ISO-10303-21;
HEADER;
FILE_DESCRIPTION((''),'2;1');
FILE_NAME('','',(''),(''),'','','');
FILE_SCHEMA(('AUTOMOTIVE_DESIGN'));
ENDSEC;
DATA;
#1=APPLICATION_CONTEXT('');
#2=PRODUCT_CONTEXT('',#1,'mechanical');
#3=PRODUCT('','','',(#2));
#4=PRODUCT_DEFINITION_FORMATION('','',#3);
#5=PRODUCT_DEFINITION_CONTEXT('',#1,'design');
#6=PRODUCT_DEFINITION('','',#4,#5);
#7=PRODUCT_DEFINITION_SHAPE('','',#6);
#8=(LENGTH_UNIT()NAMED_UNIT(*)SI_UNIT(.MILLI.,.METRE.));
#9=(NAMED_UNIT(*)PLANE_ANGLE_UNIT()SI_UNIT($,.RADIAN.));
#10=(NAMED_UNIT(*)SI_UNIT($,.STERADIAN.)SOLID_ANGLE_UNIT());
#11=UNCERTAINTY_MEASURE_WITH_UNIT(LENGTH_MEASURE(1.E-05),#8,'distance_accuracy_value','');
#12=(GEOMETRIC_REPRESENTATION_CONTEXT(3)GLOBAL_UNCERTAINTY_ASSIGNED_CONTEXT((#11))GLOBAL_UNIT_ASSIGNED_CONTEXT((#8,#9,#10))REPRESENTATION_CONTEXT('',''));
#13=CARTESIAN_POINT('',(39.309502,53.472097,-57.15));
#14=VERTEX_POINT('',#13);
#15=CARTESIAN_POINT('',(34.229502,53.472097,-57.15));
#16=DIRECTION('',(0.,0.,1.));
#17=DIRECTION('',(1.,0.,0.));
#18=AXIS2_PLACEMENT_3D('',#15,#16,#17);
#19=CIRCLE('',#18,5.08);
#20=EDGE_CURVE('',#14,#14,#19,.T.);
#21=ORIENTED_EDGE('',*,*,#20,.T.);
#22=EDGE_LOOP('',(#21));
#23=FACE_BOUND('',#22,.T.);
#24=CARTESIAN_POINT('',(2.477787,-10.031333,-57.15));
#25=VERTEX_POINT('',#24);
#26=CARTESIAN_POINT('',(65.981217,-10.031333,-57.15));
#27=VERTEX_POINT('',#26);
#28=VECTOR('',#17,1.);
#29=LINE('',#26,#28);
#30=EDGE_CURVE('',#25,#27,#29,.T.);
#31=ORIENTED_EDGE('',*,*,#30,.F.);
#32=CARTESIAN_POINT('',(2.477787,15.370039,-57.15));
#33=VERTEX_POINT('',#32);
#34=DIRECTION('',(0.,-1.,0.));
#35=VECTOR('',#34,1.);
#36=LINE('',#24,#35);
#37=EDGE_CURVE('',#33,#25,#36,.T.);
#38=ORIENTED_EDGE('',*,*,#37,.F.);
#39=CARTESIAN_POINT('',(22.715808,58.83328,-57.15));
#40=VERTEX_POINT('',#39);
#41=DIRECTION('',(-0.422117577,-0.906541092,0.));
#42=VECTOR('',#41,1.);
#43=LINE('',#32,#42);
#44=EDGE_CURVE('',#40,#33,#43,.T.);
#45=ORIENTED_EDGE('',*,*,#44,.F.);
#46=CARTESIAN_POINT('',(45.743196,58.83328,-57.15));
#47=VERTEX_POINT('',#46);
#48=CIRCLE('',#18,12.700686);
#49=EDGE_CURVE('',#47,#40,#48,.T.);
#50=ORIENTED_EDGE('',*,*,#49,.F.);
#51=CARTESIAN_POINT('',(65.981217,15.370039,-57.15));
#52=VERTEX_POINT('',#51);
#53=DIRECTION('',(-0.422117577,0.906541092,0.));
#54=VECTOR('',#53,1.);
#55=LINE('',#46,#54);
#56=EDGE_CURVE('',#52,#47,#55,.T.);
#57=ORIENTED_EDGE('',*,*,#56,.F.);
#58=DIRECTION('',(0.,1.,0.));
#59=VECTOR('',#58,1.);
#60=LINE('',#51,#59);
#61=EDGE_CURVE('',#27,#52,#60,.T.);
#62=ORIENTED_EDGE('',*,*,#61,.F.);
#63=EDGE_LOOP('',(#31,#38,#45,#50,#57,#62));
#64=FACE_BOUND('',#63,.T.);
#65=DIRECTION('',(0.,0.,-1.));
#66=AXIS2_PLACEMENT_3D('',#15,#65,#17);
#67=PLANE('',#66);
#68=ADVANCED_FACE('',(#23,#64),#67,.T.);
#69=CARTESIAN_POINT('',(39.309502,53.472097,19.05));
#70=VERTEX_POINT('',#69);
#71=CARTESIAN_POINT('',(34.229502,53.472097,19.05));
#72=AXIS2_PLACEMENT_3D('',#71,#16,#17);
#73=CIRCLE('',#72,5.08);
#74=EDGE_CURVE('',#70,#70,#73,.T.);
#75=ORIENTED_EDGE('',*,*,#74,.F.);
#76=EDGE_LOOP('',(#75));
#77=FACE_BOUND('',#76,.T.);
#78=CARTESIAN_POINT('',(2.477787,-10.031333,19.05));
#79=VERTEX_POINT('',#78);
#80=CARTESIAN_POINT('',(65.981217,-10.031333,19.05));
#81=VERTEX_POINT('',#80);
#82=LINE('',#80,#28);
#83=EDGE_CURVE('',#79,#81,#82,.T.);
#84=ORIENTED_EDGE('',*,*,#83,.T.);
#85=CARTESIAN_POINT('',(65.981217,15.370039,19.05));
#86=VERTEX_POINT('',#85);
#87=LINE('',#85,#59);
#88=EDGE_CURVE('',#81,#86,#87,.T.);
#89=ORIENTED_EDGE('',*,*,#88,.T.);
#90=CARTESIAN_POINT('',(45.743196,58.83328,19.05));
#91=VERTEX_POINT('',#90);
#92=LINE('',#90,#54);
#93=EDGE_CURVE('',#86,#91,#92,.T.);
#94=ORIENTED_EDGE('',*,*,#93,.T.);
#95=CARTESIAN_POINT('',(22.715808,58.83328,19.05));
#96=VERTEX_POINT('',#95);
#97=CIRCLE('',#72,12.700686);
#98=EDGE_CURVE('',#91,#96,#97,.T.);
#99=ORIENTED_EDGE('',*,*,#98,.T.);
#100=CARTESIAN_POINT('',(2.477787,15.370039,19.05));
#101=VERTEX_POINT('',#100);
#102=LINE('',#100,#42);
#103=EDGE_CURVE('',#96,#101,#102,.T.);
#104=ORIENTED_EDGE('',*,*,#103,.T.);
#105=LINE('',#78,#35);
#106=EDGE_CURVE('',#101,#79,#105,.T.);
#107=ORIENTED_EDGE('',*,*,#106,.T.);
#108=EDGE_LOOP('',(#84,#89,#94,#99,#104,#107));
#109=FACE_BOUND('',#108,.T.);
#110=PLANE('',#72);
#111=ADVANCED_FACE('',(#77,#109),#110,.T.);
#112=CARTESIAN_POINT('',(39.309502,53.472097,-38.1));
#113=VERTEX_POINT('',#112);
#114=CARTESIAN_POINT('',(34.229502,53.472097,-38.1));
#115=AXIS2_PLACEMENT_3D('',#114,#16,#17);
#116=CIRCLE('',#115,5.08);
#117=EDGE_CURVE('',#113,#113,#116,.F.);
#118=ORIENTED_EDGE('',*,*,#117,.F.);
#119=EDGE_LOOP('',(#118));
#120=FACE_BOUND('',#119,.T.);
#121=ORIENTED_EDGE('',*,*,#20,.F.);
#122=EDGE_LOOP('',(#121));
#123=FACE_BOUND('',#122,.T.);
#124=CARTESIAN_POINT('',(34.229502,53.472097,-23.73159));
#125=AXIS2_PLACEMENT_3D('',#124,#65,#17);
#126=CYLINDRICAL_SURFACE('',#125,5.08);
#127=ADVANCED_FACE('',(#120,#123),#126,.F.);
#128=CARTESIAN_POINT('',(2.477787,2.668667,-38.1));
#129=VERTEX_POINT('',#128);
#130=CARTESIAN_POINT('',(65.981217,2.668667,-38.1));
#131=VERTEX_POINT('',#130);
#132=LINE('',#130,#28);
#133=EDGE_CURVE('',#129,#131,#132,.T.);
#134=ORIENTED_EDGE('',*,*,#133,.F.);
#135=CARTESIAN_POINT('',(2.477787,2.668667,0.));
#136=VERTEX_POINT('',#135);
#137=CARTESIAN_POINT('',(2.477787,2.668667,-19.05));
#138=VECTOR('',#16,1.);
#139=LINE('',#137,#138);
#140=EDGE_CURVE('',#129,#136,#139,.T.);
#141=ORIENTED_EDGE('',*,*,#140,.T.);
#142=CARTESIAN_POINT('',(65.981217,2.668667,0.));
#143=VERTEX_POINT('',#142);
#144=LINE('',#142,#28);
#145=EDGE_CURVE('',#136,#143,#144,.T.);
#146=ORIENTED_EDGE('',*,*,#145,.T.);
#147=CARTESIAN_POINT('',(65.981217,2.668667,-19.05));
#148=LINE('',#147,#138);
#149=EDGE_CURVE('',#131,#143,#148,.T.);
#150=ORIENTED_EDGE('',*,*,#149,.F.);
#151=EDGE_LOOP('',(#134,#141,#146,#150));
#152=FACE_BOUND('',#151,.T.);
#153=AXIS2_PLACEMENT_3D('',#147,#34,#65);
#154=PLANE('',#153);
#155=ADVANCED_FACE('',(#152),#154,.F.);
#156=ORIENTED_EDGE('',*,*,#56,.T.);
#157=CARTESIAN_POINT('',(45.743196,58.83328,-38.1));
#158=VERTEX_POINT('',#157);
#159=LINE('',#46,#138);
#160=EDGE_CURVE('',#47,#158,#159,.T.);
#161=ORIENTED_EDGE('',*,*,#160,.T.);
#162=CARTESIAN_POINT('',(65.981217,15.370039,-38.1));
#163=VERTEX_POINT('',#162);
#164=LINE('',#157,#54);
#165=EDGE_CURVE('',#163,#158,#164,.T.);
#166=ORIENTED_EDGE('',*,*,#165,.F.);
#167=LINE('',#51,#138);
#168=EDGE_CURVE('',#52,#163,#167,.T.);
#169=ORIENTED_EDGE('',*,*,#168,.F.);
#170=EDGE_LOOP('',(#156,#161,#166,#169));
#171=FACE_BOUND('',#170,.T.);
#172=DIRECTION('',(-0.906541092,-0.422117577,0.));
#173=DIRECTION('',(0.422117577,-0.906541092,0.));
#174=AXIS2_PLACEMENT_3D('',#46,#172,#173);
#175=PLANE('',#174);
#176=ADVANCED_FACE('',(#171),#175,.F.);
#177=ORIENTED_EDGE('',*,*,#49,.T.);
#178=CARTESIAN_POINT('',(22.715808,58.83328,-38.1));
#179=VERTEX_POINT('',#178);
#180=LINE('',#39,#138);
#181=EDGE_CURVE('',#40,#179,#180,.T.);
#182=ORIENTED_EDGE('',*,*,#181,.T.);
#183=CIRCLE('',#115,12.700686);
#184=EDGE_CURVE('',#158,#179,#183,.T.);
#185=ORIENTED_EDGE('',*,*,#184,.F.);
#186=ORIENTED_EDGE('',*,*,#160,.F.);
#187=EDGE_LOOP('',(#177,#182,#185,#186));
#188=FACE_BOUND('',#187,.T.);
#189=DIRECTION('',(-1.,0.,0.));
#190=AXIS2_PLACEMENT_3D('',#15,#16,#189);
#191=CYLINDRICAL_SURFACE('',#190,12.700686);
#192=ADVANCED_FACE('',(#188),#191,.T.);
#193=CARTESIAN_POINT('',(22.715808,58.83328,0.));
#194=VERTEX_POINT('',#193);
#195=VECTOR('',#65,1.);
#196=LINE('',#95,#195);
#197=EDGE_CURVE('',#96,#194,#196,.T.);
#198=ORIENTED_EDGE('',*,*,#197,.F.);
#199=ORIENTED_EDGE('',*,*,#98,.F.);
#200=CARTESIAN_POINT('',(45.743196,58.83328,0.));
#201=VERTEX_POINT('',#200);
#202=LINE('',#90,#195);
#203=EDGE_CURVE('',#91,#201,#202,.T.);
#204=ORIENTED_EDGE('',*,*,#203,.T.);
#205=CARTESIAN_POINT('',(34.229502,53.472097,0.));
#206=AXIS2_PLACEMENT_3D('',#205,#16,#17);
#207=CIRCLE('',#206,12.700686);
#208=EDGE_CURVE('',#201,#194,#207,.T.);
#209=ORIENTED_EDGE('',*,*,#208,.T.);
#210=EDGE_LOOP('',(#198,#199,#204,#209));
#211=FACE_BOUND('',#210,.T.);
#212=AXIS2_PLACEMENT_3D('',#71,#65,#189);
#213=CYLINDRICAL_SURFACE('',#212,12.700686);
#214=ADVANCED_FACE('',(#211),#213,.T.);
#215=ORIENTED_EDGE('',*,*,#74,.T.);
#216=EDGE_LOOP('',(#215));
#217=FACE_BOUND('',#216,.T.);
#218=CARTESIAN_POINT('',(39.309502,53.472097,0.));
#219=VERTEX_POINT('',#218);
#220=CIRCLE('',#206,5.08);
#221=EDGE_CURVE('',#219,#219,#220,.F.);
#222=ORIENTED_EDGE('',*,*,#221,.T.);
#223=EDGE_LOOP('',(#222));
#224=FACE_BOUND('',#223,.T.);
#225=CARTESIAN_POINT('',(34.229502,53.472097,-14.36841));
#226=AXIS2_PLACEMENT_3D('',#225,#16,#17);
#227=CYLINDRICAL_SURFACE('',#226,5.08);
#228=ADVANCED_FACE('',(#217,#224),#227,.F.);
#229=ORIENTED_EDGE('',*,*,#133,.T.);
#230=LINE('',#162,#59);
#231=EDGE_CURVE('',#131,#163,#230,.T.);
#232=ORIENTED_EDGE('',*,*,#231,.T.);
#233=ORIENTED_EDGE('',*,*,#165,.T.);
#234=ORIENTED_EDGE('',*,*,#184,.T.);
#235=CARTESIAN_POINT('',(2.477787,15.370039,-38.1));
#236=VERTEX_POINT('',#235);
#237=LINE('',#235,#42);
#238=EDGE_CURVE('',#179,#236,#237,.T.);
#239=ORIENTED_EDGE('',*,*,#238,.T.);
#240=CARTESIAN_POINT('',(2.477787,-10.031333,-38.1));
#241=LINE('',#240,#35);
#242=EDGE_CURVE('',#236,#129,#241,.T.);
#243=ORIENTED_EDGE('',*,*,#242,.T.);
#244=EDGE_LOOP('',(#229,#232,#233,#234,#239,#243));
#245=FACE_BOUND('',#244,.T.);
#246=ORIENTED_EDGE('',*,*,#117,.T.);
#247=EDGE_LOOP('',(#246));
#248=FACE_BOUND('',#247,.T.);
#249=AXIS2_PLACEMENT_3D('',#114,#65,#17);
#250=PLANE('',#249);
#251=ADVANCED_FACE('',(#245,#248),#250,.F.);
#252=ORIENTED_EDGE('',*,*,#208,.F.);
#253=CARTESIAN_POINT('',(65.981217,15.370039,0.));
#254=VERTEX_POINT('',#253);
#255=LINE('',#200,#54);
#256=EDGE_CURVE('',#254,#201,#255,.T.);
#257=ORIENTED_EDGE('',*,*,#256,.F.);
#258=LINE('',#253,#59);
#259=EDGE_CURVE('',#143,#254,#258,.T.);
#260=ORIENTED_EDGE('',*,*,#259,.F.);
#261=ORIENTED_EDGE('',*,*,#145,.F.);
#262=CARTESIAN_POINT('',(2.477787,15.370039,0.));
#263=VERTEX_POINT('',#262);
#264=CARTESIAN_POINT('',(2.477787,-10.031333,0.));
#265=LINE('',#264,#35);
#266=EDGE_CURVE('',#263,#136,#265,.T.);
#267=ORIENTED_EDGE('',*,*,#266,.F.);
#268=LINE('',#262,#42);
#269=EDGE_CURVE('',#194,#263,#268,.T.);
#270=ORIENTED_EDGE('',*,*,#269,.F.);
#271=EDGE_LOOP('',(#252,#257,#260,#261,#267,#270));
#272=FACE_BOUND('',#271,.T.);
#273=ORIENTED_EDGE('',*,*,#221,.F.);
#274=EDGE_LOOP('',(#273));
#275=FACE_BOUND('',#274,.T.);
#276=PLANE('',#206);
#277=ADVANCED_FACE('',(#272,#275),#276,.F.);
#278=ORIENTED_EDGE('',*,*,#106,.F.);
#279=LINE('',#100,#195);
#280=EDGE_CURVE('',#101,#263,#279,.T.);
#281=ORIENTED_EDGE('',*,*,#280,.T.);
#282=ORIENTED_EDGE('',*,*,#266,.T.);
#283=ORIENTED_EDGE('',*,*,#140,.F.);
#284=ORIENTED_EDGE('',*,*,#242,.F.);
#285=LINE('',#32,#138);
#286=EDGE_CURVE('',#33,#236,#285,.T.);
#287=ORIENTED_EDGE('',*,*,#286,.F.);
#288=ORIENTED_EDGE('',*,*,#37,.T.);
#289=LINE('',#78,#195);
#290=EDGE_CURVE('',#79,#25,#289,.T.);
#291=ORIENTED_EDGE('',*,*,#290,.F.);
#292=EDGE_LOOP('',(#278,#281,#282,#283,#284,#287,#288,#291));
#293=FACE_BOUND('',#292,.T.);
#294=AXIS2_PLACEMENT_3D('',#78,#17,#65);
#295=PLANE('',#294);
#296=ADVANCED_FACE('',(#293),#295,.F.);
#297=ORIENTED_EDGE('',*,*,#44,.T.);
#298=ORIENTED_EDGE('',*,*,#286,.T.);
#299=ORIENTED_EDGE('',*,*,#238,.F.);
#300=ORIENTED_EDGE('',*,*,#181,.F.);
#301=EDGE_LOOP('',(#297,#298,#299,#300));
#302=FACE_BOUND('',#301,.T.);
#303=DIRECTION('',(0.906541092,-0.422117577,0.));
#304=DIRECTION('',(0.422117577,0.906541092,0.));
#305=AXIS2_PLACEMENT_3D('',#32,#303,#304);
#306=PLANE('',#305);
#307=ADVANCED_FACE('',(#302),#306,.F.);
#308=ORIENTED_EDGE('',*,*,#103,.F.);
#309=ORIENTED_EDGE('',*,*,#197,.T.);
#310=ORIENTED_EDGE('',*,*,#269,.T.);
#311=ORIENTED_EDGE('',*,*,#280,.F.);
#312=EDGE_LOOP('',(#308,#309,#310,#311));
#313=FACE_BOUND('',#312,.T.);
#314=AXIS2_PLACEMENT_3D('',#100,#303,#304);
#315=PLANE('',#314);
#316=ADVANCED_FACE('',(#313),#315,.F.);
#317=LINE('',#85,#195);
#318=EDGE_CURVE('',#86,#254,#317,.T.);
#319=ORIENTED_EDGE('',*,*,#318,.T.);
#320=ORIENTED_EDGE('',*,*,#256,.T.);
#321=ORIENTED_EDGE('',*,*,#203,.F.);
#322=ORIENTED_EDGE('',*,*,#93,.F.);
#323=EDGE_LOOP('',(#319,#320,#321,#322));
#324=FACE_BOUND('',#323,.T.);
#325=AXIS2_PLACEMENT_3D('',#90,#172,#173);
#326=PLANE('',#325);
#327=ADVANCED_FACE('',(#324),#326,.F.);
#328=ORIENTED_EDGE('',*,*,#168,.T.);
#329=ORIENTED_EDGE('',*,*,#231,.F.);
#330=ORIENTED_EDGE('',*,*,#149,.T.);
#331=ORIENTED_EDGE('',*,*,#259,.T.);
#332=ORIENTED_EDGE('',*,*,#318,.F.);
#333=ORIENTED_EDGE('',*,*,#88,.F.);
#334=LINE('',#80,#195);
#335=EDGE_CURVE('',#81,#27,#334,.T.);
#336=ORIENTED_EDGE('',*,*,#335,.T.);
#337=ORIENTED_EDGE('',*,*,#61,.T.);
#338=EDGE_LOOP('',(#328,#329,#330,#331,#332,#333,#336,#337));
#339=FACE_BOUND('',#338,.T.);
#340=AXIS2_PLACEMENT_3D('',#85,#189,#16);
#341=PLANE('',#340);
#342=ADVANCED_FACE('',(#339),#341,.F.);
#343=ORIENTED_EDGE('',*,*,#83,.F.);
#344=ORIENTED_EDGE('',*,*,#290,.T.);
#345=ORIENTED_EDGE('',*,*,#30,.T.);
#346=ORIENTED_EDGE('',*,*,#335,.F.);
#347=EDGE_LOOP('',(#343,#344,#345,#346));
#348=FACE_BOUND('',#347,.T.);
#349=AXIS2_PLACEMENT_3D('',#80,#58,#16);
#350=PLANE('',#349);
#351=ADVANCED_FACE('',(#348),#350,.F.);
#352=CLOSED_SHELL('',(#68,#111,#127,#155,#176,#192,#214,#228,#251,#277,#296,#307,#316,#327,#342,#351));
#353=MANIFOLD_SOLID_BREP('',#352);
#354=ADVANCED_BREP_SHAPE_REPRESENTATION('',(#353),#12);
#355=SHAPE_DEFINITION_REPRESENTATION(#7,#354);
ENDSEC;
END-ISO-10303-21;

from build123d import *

# Parameters (mm, degrees)
BOSS_EXTRUDE2_DEPTH = 19.05
SKETCH3_R           = 5.08
CUT_EXTRUDE1_DEPTH  = 19.05
SKETCH5_W           = 63.503429877
SKETCH5_H           = 12.7
BOSS_EXTRUDE3_DEPTH = 19.05


with BuildPart() as part:
    # Sketch2 → Boss-Extrude2 (new body)
    with BuildSketch(Plane.XY):
        with BuildLine():
            Line((2.477787128, -10.031332986), (2.477787128, 15.370038965))
            Line((2.477787128, 15.370038965), (22.715808333, 58.833279677))
            ThreePointArc((22.715808333, 58.833279677), (34.229502066, 66.172782867), (45.7431958, 58.833279677))
            Line((45.7431958, 58.833279677), (65.981217005, 15.370038965))
            Line((65.981217005, 15.370038965), (65.981217005, -10.031332986))
            Line((65.981217005, -10.031332986), (2.477787128, -10.031332986))
        make_face()
    boss_extrude2 = extrude(amount=BOSS_EXTRUDE2_DEPTH)

    # Sketch3 → Cut-Extrude1 (cut)
    with BuildSketch(Plane.XY.offset(19.05)):
        with Locations((34.229502066, 53.472096891)):
            Circle(SKETCH3_R)
    cut_extrude1 = extrude(amount=-CUT_EXTRUDE1_DEPTH, mode=Mode.SUBTRACT)

    # Sketch5 → Boss-Extrude3 (add)
    with BuildSketch(Plane(origin=(0, 0, 0), x_dir=(-1, 0, 0), z_dir=(0, 0, -1))):
        with Locations((-34.229502067, -3.681332986)):
            Rectangle(SKETCH5_W, SKETCH5_H)
    boss_extrude3 = extrude(amount=BOSS_EXTRUDE3_DEPTH)

    # Mirror1: Boss-Extrude2, Cut-Extrude1, Boss-Extrude3 across plane
    add(boss_extrude2.mirror(Plane.XY.offset(-19.05)))
    add(cut_extrude1.mirror(Plane.XY.offset(-19.05)), mode=Mode.SUBTRACT)
    add(boss_extrude3.mirror(Plane.XY.offset(-19.05)))


solid = part.part
